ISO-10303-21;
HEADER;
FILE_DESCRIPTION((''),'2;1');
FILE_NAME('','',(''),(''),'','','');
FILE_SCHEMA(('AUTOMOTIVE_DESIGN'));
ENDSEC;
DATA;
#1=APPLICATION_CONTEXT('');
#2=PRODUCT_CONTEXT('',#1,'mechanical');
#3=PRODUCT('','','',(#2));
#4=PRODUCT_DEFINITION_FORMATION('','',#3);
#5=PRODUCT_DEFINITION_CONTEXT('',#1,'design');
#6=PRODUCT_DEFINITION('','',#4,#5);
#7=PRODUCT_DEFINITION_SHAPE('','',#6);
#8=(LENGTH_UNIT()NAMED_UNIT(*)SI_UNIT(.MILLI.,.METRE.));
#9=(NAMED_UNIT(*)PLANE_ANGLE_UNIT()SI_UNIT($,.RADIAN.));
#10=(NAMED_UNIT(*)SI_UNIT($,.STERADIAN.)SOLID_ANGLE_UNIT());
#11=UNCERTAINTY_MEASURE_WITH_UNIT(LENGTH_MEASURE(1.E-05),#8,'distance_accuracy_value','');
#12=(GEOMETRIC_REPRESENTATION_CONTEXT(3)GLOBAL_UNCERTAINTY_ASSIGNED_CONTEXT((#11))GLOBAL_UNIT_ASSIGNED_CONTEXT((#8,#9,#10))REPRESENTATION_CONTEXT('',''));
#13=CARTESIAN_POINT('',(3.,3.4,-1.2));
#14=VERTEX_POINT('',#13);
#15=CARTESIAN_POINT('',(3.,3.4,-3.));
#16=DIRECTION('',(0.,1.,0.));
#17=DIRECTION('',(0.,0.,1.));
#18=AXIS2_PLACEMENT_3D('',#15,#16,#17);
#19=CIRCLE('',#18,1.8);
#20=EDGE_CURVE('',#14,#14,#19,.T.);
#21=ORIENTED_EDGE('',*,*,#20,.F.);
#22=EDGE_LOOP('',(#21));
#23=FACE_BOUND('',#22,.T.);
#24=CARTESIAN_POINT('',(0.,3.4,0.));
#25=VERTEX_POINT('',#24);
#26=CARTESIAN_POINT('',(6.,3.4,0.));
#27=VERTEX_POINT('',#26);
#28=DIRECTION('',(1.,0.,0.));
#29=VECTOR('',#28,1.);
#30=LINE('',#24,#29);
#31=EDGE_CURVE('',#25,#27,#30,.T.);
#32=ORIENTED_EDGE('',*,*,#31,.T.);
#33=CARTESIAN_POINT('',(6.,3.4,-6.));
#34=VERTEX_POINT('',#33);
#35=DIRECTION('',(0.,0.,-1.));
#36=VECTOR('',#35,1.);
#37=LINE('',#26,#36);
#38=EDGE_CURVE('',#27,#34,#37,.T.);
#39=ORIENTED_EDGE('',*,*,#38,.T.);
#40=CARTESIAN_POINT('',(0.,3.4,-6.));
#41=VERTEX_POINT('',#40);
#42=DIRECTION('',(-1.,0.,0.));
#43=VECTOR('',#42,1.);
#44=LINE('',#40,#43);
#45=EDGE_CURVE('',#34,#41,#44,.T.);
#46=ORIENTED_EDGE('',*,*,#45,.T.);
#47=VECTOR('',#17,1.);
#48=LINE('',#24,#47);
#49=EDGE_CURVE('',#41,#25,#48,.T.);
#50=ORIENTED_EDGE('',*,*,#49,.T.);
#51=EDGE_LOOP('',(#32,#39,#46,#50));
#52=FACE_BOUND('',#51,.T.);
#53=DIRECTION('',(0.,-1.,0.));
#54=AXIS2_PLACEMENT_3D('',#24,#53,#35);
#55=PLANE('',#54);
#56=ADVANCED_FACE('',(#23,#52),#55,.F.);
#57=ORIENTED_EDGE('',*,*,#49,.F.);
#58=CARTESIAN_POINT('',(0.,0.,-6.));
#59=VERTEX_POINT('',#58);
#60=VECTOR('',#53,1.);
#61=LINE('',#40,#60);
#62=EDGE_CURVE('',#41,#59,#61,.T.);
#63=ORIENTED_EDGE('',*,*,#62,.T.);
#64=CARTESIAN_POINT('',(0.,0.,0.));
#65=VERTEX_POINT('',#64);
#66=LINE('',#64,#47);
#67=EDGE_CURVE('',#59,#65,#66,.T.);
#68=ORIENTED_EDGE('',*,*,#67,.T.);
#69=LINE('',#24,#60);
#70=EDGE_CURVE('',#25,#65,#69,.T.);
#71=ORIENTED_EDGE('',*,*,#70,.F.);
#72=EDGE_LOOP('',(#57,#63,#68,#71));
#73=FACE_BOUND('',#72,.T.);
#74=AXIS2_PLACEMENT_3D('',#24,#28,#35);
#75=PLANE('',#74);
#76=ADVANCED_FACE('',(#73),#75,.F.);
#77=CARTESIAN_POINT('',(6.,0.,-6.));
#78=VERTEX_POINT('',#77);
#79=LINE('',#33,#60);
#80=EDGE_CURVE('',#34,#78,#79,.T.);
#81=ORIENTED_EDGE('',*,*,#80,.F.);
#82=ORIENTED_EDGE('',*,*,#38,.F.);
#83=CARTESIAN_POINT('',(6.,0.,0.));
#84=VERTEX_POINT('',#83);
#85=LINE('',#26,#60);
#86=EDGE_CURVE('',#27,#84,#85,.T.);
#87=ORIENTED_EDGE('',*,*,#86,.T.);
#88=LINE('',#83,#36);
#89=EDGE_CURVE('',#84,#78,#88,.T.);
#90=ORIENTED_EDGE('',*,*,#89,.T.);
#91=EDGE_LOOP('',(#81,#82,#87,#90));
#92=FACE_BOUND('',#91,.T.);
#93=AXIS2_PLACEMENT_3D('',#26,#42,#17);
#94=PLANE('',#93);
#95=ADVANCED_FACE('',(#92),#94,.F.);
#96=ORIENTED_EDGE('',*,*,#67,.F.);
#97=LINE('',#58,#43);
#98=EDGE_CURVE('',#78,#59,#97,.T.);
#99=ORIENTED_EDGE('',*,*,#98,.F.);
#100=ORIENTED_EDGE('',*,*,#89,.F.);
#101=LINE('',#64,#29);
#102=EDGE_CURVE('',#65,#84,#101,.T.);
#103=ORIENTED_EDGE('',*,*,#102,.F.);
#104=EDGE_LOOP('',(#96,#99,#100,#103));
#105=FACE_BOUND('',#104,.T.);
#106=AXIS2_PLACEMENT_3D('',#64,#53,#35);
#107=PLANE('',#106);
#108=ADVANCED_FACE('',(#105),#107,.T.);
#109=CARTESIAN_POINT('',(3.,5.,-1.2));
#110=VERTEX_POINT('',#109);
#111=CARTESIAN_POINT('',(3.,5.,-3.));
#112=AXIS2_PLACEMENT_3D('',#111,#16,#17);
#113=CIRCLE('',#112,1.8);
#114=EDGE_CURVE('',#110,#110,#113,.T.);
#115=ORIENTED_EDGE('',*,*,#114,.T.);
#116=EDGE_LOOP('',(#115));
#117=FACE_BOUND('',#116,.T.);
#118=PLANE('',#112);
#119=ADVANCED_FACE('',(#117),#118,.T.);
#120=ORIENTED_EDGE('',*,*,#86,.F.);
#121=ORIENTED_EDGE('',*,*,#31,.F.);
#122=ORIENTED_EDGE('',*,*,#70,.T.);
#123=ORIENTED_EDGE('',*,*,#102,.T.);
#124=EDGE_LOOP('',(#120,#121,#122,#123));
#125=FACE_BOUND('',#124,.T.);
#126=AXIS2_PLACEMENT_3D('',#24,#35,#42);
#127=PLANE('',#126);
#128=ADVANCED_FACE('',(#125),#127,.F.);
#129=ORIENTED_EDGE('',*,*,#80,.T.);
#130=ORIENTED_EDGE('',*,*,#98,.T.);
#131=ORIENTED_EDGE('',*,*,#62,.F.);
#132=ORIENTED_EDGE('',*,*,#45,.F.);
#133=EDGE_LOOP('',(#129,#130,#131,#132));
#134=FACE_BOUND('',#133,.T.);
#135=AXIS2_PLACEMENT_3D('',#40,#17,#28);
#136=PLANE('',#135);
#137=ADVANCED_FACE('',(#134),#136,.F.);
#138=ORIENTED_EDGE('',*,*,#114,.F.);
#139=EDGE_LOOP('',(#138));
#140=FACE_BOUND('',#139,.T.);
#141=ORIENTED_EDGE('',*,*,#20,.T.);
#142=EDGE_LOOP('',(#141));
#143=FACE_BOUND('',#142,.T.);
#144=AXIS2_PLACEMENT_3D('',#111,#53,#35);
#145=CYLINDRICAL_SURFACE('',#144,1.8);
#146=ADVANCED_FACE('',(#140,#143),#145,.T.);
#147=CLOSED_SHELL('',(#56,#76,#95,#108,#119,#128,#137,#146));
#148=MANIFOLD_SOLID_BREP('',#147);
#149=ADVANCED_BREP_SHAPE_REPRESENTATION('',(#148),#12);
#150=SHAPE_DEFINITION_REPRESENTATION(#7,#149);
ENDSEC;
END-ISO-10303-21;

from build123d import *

# Parameters (mm, degrees)
SKETCH1_W           = 6
SKETCH1_H           = 6
BOSS_EXTRUDE1_DEPTH = 3.4
SKETCH2_R           = 1.8
BOSS_EXTRUDE2_DEPTH = 1.6


with BuildPart() as part:
    # Sketch1 → Boss-Extrude1 (new body)
    with BuildSketch(Plane(origin=(0, 0, 0), x_dir=(1, 0, 0), z_dir=(0, 1, 0))):
        with Locations((3, 3)):
            Rectangle(SKETCH1_W, SKETCH1_H)
    extrude(amount=BOSS_EXTRUDE1_DEPTH)

    # Sketch2 → Boss-Extrude2 (add)
    with BuildSketch(Plane(origin=(0, 3.4, 0), x_dir=(1, 0, 0), z_dir=(0, 1, 0))):
        with Locations(Location((3, 3, 0), (0, 0, 270))):
            Circle(SKETCH2_R)
    extrude(amount=BOSS_EXTRUDE2_DEPTH)


solid = part.part
